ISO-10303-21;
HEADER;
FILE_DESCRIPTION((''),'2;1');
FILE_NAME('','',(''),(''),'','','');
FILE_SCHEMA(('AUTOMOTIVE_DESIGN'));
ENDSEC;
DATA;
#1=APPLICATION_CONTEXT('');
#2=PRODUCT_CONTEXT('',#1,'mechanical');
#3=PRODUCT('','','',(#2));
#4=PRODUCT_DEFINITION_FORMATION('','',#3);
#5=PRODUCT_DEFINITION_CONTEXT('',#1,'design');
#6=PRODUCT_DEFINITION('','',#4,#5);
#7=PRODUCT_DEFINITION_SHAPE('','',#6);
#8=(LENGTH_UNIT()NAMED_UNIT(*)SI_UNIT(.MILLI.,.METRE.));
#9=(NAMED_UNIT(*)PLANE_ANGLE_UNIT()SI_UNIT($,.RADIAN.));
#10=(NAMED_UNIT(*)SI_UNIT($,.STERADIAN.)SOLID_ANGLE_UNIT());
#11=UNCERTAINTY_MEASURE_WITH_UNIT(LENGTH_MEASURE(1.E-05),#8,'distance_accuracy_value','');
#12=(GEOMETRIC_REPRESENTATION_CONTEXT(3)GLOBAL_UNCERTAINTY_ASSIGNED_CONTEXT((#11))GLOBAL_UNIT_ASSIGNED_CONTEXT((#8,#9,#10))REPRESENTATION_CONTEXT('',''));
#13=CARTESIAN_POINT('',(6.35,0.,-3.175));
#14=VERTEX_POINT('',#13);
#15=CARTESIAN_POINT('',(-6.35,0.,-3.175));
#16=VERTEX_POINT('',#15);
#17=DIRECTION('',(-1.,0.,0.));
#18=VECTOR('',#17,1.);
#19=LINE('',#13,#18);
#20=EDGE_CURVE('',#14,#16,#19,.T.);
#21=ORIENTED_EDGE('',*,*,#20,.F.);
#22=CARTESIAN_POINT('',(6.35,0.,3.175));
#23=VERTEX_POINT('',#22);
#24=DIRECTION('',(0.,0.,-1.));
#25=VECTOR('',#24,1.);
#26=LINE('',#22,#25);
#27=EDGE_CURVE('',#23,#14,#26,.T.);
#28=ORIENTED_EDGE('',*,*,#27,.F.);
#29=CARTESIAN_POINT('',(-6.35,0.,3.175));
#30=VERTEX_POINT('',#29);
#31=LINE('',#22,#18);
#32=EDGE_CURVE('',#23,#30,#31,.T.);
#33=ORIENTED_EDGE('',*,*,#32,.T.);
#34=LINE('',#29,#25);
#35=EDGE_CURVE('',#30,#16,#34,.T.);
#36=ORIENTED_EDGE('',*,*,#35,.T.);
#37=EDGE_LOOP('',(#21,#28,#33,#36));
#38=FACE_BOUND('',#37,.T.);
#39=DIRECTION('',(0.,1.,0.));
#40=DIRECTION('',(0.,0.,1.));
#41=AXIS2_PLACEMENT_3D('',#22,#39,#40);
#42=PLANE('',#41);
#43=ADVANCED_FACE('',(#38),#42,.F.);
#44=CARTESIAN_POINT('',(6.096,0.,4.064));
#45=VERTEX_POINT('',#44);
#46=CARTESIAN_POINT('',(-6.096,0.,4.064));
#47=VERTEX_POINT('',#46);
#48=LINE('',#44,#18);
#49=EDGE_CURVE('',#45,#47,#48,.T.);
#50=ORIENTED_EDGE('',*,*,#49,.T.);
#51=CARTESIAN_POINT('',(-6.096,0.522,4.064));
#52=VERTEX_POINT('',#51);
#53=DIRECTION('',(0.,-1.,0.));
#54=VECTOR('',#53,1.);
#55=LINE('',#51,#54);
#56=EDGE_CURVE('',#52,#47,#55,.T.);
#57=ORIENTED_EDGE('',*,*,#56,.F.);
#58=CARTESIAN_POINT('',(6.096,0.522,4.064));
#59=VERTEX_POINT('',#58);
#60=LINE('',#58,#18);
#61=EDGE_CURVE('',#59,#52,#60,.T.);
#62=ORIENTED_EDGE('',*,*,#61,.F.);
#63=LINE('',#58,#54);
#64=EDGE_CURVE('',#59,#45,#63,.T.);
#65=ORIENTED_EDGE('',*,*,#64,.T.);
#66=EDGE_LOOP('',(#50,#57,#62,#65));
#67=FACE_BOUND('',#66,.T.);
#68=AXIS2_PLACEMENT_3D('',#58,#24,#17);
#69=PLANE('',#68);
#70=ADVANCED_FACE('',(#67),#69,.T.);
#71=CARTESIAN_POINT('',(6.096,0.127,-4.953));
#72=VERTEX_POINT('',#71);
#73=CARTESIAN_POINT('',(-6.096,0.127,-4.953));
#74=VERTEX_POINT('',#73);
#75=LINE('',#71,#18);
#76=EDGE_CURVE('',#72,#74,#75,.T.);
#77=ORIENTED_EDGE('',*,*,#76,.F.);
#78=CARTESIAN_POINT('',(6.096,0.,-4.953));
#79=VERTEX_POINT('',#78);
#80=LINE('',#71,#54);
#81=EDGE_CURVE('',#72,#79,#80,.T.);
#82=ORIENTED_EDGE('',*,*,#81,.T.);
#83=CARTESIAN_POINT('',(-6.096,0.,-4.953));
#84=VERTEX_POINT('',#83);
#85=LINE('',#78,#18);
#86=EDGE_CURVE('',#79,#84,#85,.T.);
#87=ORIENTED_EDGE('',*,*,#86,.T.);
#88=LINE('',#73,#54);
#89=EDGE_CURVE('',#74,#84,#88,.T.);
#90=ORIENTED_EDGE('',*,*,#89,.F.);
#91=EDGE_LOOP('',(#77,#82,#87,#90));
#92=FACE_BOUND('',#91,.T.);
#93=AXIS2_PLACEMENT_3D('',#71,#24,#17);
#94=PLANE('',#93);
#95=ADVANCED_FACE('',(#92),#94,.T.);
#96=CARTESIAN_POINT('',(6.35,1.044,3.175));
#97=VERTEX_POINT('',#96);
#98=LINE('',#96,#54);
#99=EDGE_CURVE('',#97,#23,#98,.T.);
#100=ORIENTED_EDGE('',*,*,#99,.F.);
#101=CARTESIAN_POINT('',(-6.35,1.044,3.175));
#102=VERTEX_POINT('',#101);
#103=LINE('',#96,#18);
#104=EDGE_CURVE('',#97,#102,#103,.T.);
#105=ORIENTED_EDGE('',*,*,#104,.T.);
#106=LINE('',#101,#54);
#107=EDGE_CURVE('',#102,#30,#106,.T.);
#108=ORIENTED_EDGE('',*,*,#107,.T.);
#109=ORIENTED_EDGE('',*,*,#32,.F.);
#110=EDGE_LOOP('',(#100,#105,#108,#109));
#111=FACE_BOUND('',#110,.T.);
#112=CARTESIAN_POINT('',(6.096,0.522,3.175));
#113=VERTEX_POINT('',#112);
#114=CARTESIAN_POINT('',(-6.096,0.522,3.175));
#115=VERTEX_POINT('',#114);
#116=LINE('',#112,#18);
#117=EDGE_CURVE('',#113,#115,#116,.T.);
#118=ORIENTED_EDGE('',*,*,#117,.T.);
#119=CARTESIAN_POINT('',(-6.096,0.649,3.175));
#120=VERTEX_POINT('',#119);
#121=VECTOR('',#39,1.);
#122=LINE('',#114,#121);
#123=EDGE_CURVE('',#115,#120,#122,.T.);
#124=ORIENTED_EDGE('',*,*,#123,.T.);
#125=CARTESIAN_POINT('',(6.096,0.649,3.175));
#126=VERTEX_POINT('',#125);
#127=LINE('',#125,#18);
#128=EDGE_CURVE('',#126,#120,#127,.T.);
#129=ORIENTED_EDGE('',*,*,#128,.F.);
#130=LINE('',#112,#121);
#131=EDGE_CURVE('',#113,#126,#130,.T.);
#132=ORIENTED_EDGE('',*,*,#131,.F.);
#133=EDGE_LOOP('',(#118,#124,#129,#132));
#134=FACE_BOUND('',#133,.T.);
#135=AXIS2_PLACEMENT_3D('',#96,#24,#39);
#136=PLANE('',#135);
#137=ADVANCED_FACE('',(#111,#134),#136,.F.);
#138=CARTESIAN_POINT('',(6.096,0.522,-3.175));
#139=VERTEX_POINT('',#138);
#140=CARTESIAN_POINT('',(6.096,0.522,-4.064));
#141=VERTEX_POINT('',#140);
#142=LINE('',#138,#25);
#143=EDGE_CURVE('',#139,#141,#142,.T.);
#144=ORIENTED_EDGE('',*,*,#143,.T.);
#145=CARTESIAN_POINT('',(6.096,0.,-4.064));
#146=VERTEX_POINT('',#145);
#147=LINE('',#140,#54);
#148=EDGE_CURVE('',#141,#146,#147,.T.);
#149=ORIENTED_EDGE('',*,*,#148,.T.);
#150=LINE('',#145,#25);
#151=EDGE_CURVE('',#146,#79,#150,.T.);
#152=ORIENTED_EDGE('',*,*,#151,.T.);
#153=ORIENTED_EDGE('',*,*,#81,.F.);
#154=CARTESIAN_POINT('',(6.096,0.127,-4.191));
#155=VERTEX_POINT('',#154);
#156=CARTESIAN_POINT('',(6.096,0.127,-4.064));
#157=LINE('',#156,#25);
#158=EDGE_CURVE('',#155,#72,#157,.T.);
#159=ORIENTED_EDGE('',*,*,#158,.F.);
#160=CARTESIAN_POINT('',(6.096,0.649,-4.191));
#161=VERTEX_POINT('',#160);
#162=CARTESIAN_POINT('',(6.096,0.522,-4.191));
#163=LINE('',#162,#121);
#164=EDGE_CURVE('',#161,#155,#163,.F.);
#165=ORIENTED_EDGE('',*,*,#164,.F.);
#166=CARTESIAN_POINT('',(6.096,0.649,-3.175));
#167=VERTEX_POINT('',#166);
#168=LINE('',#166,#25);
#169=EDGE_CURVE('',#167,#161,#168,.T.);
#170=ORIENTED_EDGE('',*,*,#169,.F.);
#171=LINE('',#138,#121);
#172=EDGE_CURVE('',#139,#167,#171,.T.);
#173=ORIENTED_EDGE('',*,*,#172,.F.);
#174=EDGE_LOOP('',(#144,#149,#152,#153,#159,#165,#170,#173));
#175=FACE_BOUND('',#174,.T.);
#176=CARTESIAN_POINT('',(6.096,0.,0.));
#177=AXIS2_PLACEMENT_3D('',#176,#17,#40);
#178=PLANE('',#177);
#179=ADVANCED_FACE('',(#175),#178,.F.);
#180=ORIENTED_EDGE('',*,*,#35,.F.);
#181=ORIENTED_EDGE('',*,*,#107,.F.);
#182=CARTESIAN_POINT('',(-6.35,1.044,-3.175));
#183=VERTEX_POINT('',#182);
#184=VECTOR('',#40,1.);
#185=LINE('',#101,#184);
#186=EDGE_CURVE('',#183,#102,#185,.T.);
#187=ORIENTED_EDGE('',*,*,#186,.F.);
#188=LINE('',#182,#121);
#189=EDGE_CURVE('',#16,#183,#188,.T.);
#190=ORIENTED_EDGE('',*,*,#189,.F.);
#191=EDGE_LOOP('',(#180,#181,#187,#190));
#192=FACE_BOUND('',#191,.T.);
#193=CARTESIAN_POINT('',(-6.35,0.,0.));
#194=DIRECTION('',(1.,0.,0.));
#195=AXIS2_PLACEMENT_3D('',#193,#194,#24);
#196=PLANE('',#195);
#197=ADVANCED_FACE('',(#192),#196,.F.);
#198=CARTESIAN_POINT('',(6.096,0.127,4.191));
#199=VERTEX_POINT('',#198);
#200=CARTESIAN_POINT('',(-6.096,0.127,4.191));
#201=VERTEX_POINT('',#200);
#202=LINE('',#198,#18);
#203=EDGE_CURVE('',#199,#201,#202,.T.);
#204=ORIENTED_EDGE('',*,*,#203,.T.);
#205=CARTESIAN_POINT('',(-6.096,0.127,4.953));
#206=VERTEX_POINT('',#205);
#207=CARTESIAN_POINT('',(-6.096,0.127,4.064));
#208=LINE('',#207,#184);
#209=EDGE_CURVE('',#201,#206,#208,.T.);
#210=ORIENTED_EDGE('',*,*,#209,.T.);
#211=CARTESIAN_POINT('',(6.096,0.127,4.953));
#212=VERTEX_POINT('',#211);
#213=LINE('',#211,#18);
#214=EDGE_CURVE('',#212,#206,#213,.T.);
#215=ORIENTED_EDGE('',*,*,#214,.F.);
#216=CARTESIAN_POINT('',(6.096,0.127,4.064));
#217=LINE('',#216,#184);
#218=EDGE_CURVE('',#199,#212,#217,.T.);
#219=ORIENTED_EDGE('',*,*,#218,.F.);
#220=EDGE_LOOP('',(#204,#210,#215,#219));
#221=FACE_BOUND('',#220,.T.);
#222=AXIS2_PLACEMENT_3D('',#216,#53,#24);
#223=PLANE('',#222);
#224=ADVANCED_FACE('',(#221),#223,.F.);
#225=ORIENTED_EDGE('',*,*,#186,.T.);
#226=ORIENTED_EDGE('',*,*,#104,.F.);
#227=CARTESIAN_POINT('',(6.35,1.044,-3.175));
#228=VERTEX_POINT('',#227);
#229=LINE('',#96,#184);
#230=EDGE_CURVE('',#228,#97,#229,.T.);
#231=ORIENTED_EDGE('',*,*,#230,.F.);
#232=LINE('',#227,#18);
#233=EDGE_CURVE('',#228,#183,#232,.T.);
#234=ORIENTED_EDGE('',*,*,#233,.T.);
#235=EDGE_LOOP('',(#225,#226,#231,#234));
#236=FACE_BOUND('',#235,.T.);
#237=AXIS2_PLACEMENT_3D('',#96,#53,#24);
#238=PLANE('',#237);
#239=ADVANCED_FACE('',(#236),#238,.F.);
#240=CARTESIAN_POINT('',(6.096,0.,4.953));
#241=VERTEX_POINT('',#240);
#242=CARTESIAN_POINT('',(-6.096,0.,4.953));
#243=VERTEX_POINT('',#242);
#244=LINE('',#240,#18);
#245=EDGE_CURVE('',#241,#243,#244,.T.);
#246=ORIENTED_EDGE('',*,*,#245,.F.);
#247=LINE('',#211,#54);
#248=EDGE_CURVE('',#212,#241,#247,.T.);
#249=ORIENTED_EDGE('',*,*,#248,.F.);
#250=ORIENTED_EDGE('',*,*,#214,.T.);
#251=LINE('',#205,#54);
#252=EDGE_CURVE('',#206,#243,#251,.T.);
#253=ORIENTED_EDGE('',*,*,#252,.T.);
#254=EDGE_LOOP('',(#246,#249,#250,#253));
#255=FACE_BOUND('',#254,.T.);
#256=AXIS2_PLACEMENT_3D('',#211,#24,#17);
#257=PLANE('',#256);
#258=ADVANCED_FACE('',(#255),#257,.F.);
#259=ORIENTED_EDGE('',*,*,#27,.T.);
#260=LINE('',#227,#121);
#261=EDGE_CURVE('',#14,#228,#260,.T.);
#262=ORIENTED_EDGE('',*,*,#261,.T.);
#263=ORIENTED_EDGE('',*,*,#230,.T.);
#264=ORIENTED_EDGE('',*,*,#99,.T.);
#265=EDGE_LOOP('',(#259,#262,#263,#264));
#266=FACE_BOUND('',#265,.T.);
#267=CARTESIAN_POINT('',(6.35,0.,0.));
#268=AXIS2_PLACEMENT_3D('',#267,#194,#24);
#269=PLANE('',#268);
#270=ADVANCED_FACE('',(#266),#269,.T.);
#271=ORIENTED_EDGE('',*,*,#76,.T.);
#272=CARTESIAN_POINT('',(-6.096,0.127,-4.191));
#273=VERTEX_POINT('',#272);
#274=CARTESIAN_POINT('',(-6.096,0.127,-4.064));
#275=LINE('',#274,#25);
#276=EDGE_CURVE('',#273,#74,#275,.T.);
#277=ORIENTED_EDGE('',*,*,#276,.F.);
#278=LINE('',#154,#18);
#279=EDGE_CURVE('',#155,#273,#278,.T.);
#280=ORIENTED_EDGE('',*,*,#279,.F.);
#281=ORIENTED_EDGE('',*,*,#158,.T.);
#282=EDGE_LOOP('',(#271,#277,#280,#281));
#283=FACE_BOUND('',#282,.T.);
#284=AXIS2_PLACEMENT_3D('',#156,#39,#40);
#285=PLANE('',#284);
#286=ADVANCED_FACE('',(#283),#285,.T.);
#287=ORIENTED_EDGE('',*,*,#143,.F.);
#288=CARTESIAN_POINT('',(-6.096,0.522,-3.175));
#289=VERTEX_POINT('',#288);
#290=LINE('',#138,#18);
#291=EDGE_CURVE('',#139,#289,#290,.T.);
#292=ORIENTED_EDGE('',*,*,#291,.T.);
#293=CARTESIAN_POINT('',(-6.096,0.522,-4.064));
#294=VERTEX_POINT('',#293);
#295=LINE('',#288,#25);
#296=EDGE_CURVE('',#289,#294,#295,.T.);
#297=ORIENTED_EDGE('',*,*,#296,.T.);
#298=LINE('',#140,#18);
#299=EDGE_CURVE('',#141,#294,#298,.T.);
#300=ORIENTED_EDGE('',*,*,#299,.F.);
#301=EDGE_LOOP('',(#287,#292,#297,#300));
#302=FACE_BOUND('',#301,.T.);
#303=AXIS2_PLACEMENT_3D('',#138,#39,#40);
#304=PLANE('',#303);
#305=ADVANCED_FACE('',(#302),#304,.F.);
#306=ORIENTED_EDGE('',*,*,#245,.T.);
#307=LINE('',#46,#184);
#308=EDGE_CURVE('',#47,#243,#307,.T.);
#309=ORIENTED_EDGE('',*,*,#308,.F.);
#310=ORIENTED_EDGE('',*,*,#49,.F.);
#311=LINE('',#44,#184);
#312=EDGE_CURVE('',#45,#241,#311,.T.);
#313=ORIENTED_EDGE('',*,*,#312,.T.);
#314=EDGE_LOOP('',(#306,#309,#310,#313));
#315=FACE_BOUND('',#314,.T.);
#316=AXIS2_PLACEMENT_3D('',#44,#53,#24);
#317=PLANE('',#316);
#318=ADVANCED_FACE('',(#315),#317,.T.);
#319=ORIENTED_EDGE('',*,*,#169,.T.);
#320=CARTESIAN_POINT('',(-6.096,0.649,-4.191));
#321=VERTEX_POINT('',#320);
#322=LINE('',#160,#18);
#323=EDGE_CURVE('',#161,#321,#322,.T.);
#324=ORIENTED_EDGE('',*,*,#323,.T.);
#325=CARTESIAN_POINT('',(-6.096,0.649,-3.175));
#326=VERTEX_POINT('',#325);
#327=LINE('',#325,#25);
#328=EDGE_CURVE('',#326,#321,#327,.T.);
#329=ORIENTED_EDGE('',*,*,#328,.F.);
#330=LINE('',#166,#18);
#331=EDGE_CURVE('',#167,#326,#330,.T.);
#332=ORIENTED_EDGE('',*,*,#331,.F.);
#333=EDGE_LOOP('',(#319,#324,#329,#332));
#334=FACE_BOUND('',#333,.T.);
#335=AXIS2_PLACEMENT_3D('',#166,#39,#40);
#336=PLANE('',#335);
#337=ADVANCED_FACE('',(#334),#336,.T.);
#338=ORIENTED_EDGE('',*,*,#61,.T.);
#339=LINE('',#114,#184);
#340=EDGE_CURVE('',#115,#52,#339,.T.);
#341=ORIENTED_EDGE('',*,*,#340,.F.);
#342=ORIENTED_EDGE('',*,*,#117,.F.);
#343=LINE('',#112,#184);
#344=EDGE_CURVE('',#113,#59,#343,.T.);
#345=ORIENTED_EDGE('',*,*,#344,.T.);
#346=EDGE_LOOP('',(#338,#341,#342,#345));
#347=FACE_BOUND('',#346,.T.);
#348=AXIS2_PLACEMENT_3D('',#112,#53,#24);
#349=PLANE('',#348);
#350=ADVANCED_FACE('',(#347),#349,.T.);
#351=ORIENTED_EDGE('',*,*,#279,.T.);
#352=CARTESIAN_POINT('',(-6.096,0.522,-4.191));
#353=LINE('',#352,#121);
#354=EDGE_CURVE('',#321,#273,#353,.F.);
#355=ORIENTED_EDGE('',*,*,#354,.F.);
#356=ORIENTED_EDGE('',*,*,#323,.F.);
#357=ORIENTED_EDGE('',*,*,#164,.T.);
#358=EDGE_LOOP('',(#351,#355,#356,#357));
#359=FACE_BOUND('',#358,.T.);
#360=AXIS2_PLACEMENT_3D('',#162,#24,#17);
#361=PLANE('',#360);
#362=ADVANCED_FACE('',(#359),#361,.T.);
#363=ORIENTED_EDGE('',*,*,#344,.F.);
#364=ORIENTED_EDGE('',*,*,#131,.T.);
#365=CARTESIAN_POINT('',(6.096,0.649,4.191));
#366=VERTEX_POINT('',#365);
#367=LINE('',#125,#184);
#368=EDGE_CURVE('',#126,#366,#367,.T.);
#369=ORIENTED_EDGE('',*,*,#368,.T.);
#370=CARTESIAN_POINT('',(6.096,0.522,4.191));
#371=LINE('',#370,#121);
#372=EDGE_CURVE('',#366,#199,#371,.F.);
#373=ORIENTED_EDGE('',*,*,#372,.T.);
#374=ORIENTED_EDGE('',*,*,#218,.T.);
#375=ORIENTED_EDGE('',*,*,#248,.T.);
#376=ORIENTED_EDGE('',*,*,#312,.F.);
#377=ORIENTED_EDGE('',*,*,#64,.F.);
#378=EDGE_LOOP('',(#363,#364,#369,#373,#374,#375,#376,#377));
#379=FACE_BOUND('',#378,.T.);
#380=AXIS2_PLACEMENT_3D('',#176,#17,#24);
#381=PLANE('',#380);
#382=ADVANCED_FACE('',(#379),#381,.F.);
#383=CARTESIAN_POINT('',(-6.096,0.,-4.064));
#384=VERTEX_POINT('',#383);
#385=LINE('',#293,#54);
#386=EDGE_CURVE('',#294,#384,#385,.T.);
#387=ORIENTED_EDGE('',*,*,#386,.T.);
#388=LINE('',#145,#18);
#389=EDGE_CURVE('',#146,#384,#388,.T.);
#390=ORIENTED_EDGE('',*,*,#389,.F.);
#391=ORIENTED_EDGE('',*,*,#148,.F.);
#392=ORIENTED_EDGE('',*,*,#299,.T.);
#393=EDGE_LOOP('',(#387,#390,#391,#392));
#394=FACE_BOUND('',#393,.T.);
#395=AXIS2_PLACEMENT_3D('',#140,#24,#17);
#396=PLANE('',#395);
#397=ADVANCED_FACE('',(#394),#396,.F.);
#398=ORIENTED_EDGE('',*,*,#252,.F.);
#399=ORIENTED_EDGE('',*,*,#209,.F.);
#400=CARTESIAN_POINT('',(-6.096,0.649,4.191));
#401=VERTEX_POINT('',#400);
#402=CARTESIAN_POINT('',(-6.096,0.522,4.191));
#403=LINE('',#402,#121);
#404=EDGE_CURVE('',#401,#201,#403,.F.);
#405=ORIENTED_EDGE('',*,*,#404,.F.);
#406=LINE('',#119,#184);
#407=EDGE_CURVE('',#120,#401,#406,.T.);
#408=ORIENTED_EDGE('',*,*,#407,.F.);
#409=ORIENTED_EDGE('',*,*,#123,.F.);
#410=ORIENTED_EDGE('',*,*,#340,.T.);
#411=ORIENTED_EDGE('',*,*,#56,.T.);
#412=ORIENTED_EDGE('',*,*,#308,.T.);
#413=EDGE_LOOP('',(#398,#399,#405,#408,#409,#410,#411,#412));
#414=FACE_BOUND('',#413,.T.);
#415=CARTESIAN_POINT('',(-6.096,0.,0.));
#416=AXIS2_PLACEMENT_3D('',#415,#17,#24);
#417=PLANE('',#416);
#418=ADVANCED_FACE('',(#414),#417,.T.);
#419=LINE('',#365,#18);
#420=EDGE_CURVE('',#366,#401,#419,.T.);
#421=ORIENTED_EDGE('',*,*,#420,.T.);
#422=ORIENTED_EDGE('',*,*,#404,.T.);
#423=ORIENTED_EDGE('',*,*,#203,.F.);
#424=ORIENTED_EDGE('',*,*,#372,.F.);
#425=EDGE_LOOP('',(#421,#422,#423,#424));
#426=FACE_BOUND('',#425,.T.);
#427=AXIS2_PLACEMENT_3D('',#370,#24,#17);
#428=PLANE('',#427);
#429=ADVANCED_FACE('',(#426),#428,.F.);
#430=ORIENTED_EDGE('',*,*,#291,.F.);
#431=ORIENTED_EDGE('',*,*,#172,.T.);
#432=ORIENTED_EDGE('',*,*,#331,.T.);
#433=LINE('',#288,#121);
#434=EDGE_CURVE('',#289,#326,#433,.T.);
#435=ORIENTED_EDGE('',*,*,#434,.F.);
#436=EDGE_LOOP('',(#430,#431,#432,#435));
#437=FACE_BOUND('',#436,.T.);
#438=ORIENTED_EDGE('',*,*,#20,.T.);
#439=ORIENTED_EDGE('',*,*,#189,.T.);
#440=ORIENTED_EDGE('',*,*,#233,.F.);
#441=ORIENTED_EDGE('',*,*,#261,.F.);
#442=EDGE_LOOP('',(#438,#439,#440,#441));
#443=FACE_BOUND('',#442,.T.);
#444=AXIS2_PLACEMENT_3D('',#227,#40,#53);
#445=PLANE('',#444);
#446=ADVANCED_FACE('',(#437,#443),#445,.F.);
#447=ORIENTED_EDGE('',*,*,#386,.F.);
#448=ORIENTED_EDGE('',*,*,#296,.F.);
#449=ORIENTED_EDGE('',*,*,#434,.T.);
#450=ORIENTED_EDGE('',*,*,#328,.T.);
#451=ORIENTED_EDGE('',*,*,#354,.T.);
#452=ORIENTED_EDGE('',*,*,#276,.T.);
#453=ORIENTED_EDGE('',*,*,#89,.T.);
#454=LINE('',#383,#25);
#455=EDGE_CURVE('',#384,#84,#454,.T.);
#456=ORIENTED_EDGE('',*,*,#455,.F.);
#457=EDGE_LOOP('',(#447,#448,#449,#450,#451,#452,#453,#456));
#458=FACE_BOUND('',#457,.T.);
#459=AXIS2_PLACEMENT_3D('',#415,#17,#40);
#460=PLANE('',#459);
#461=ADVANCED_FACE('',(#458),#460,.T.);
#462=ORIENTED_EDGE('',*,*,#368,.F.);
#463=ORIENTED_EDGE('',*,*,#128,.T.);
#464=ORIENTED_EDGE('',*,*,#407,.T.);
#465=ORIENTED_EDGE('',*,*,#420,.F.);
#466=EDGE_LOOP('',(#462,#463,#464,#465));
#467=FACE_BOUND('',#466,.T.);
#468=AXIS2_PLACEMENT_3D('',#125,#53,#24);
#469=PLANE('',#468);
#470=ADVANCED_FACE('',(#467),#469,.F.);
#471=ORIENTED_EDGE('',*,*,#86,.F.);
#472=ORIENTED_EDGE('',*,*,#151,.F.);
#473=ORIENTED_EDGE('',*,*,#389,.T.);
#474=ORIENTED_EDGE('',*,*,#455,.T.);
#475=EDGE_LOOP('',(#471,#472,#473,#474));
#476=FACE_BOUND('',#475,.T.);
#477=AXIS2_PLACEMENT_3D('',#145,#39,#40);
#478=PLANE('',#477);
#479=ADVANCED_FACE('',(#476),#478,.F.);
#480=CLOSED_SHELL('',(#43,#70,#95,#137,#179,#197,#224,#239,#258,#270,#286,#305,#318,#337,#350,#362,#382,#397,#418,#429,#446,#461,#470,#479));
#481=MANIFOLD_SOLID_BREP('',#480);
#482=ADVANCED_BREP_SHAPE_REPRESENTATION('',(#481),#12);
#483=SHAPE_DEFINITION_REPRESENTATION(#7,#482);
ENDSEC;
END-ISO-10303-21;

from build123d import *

# Parameters (mm, degrees)
SKETCH1_W           = 6.35
SKETCH1_H           = 1.044000004
BOSS_EXTRUDE1_DEPTH = 6.35
EXTRUDE_THIN1_DEPTH = 6.096


with BuildPart() as part:
    # Sketch1 → Boss-Extrude1 (new body, symmetric)
    with BuildSketch(Plane(origin=(0, 0, 0), x_dir=(0, 0, -1), z_dir=(1, 0, 0))):
        with Locations((0, 0.522000002)):
            Rectangle(SKETCH1_W, SKETCH1_H)
    extrude(amount=BOSS_EXTRUDE1_DEPTH, both=True)

    # Sketch2 → Extrude-Thin1 (add, symmetric)
    with BuildSketch(Plane(origin=(0, 0, 0), x_dir=(0, 0, -1), z_dir=(1, 0, 0))):
        Polygon((3.175, 0.522000002), (4.064, 0.522000002), (4.064, 0), (4.953, 0), (4.953, 0.127), (4.191, 0.127), (4.191, 0.649000002), (3.175, 0.649000002), align=None)
    extrude_thin1 = extrude(amount=EXTRUDE_THIN1_DEPTH, both=True)

    # Mirror1: Extrude-Thin1 across plane
    add(extrude_thin1.mirror(Plane.XY))


solid = part.part
